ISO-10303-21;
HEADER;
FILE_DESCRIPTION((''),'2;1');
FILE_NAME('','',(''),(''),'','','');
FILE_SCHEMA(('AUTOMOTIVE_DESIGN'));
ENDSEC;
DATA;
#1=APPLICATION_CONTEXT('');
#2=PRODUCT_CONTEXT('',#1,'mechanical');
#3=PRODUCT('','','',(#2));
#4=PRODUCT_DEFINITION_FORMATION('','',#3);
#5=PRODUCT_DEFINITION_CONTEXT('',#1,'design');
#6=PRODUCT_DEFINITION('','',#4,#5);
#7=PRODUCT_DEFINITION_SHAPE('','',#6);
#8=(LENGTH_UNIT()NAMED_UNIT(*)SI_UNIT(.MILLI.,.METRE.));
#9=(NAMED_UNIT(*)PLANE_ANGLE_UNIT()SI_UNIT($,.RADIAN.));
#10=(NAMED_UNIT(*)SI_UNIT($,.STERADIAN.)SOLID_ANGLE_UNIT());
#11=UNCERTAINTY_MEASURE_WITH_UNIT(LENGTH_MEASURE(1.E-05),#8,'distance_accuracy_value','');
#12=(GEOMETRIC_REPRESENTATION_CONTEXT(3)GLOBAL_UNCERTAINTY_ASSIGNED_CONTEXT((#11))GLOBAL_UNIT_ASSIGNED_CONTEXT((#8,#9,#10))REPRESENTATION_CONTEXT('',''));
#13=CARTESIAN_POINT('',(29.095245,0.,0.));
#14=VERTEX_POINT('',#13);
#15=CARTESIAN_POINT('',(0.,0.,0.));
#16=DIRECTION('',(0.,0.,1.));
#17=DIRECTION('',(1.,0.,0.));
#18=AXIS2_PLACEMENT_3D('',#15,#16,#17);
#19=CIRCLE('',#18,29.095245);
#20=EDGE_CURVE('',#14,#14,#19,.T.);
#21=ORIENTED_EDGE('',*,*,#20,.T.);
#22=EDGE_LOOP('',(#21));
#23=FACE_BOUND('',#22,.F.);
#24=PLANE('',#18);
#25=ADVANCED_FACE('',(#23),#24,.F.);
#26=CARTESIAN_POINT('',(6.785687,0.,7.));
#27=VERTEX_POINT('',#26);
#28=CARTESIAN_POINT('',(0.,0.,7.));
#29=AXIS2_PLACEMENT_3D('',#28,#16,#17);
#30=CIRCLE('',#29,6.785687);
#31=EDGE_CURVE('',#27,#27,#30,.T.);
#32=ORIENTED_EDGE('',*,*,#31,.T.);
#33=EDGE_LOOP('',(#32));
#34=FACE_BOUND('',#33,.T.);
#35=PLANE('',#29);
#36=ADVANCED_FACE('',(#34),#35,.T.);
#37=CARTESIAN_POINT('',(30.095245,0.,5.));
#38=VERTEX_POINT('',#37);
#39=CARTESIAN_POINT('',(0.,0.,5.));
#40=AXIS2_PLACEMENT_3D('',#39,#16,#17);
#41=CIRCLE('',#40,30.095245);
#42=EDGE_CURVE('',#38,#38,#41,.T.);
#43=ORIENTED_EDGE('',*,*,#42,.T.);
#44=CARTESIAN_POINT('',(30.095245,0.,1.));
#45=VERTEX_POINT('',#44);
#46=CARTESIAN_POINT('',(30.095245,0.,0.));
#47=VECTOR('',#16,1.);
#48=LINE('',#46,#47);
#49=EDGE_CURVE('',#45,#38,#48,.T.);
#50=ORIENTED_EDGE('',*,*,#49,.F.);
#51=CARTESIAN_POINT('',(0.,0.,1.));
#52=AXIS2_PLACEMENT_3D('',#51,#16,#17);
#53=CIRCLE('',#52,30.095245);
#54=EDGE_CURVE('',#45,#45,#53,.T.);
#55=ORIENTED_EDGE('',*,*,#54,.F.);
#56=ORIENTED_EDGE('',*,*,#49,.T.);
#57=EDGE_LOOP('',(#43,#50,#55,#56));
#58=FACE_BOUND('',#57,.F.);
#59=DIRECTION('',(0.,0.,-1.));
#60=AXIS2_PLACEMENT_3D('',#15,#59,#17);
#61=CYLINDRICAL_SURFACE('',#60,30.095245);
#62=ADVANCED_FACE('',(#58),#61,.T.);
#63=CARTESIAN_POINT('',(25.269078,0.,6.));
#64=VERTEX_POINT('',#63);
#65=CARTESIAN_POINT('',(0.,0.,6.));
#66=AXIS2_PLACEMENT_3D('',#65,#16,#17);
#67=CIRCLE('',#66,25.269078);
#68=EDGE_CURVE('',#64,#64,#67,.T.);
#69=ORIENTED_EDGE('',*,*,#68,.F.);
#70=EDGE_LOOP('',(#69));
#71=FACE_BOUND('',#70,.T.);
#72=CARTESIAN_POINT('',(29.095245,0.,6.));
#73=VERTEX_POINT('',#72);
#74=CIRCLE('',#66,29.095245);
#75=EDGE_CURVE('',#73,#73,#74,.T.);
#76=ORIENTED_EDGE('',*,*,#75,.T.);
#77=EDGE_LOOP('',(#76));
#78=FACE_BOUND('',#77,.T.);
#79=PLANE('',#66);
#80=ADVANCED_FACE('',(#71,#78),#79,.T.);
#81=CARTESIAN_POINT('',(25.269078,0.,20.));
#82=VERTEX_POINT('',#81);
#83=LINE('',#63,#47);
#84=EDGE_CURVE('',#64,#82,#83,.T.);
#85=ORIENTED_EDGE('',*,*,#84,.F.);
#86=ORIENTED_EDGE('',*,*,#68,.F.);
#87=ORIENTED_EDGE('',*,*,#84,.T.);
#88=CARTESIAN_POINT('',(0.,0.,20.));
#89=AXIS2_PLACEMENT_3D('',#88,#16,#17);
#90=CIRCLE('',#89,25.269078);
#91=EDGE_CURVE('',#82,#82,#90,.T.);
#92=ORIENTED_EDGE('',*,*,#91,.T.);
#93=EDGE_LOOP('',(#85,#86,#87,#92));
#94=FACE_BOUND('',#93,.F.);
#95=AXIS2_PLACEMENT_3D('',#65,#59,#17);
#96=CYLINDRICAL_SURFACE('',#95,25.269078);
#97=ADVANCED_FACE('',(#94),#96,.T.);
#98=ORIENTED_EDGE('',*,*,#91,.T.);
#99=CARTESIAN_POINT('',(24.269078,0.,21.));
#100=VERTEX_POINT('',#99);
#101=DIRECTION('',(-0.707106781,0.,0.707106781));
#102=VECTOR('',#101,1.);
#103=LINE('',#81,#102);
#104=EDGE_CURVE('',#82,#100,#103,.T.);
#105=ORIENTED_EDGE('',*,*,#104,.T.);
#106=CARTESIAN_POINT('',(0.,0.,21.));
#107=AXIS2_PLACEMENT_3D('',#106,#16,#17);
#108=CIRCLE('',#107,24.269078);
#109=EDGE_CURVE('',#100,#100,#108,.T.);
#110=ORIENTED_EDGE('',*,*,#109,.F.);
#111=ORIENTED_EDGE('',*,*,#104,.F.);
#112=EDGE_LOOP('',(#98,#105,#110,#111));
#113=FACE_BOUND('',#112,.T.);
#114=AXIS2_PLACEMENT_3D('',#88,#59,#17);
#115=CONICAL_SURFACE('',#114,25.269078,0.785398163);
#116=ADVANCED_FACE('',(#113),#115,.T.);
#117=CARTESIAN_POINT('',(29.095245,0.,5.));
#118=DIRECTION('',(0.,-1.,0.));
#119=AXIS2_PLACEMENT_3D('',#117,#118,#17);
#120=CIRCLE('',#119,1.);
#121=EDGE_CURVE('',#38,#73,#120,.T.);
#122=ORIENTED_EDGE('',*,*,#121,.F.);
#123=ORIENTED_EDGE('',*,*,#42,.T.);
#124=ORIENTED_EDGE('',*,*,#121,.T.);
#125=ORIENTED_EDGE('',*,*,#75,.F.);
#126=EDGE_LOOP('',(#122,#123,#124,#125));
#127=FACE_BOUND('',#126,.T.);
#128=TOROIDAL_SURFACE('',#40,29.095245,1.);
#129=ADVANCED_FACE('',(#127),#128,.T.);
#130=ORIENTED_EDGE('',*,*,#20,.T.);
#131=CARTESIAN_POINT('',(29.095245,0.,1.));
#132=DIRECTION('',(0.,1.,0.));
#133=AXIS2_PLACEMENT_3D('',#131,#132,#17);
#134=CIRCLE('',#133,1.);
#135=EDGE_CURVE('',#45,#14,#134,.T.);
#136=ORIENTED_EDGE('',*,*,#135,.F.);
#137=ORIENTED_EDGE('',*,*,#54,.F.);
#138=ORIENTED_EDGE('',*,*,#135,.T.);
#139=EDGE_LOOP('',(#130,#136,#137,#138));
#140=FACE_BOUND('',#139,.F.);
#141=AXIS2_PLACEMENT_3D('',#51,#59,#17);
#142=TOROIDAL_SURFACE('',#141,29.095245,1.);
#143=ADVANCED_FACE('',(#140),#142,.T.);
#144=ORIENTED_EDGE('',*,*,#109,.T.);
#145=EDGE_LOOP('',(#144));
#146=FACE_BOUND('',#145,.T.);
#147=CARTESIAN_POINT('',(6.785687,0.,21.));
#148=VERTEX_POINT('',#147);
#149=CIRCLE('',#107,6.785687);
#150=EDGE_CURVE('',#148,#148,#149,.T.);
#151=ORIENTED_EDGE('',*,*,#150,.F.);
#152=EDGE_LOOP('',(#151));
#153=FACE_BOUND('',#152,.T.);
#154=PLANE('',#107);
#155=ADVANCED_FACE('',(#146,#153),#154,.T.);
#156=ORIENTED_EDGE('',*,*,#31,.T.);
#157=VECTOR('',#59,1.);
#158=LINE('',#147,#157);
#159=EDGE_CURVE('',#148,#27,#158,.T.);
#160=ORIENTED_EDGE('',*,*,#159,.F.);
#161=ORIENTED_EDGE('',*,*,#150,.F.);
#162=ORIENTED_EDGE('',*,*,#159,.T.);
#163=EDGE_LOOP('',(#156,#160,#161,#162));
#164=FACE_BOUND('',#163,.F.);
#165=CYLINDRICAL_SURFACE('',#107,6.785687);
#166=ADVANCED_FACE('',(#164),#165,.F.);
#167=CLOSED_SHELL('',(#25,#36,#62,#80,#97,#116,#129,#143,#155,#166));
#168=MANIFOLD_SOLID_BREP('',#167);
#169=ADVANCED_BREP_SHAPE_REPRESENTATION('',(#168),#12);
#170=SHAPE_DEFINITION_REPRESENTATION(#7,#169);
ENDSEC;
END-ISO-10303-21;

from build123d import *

# Parameters (mm, degrees)
F0_R     = 30.095245
F1_DEPTH = 6
F2_R     = 25.269078
F3_DEPTH = 15
F4_R     = 6.785687
F5_DEPTH = 14
F6_R     = 1
F7_R     = 1
F8_SIZE  = 1


with BuildPart() as f1:
    # F0 (on Top) → F1 (new body)
    with BuildSketch(Plane.XY):
        Circle(F0_R)
    extrude(amount=F1_DEPTH)

    # F2 (on face) → F3 (join)
    with BuildSketch(Plane.XY.offset(6)):
        Circle(F2_R)
    extrude(amount=F3_DEPTH)

    # F4 (on face) → F5 (cut)
    with BuildSketch(Plane.XY.offset(21)):
        Circle(F4_R)
    extrude(amount=-F5_DEPTH, mode=Mode.SUBTRACT)

    # F6
    f6_edges = [f1.edges().sort_by_distance(p)[0] for p in [
        (-30.095245, 0, 6),
    ]]
    fillet(f6_edges, radius=F6_R)

    # F7
    f7_edges = [f1.edges().sort_by_distance(p)[0] for p in [
        (-30.095245, 0, 0),
    ]]
    fillet(f7_edges, radius=F7_R)

    # F8
    f8_edges = [f1.edges().sort_by_distance(p)[0] for p in [
        (-25.269078, 0, 21),
    ]]
    chamfer(f8_edges, length=F8_SIZE)


solid = f1.part
